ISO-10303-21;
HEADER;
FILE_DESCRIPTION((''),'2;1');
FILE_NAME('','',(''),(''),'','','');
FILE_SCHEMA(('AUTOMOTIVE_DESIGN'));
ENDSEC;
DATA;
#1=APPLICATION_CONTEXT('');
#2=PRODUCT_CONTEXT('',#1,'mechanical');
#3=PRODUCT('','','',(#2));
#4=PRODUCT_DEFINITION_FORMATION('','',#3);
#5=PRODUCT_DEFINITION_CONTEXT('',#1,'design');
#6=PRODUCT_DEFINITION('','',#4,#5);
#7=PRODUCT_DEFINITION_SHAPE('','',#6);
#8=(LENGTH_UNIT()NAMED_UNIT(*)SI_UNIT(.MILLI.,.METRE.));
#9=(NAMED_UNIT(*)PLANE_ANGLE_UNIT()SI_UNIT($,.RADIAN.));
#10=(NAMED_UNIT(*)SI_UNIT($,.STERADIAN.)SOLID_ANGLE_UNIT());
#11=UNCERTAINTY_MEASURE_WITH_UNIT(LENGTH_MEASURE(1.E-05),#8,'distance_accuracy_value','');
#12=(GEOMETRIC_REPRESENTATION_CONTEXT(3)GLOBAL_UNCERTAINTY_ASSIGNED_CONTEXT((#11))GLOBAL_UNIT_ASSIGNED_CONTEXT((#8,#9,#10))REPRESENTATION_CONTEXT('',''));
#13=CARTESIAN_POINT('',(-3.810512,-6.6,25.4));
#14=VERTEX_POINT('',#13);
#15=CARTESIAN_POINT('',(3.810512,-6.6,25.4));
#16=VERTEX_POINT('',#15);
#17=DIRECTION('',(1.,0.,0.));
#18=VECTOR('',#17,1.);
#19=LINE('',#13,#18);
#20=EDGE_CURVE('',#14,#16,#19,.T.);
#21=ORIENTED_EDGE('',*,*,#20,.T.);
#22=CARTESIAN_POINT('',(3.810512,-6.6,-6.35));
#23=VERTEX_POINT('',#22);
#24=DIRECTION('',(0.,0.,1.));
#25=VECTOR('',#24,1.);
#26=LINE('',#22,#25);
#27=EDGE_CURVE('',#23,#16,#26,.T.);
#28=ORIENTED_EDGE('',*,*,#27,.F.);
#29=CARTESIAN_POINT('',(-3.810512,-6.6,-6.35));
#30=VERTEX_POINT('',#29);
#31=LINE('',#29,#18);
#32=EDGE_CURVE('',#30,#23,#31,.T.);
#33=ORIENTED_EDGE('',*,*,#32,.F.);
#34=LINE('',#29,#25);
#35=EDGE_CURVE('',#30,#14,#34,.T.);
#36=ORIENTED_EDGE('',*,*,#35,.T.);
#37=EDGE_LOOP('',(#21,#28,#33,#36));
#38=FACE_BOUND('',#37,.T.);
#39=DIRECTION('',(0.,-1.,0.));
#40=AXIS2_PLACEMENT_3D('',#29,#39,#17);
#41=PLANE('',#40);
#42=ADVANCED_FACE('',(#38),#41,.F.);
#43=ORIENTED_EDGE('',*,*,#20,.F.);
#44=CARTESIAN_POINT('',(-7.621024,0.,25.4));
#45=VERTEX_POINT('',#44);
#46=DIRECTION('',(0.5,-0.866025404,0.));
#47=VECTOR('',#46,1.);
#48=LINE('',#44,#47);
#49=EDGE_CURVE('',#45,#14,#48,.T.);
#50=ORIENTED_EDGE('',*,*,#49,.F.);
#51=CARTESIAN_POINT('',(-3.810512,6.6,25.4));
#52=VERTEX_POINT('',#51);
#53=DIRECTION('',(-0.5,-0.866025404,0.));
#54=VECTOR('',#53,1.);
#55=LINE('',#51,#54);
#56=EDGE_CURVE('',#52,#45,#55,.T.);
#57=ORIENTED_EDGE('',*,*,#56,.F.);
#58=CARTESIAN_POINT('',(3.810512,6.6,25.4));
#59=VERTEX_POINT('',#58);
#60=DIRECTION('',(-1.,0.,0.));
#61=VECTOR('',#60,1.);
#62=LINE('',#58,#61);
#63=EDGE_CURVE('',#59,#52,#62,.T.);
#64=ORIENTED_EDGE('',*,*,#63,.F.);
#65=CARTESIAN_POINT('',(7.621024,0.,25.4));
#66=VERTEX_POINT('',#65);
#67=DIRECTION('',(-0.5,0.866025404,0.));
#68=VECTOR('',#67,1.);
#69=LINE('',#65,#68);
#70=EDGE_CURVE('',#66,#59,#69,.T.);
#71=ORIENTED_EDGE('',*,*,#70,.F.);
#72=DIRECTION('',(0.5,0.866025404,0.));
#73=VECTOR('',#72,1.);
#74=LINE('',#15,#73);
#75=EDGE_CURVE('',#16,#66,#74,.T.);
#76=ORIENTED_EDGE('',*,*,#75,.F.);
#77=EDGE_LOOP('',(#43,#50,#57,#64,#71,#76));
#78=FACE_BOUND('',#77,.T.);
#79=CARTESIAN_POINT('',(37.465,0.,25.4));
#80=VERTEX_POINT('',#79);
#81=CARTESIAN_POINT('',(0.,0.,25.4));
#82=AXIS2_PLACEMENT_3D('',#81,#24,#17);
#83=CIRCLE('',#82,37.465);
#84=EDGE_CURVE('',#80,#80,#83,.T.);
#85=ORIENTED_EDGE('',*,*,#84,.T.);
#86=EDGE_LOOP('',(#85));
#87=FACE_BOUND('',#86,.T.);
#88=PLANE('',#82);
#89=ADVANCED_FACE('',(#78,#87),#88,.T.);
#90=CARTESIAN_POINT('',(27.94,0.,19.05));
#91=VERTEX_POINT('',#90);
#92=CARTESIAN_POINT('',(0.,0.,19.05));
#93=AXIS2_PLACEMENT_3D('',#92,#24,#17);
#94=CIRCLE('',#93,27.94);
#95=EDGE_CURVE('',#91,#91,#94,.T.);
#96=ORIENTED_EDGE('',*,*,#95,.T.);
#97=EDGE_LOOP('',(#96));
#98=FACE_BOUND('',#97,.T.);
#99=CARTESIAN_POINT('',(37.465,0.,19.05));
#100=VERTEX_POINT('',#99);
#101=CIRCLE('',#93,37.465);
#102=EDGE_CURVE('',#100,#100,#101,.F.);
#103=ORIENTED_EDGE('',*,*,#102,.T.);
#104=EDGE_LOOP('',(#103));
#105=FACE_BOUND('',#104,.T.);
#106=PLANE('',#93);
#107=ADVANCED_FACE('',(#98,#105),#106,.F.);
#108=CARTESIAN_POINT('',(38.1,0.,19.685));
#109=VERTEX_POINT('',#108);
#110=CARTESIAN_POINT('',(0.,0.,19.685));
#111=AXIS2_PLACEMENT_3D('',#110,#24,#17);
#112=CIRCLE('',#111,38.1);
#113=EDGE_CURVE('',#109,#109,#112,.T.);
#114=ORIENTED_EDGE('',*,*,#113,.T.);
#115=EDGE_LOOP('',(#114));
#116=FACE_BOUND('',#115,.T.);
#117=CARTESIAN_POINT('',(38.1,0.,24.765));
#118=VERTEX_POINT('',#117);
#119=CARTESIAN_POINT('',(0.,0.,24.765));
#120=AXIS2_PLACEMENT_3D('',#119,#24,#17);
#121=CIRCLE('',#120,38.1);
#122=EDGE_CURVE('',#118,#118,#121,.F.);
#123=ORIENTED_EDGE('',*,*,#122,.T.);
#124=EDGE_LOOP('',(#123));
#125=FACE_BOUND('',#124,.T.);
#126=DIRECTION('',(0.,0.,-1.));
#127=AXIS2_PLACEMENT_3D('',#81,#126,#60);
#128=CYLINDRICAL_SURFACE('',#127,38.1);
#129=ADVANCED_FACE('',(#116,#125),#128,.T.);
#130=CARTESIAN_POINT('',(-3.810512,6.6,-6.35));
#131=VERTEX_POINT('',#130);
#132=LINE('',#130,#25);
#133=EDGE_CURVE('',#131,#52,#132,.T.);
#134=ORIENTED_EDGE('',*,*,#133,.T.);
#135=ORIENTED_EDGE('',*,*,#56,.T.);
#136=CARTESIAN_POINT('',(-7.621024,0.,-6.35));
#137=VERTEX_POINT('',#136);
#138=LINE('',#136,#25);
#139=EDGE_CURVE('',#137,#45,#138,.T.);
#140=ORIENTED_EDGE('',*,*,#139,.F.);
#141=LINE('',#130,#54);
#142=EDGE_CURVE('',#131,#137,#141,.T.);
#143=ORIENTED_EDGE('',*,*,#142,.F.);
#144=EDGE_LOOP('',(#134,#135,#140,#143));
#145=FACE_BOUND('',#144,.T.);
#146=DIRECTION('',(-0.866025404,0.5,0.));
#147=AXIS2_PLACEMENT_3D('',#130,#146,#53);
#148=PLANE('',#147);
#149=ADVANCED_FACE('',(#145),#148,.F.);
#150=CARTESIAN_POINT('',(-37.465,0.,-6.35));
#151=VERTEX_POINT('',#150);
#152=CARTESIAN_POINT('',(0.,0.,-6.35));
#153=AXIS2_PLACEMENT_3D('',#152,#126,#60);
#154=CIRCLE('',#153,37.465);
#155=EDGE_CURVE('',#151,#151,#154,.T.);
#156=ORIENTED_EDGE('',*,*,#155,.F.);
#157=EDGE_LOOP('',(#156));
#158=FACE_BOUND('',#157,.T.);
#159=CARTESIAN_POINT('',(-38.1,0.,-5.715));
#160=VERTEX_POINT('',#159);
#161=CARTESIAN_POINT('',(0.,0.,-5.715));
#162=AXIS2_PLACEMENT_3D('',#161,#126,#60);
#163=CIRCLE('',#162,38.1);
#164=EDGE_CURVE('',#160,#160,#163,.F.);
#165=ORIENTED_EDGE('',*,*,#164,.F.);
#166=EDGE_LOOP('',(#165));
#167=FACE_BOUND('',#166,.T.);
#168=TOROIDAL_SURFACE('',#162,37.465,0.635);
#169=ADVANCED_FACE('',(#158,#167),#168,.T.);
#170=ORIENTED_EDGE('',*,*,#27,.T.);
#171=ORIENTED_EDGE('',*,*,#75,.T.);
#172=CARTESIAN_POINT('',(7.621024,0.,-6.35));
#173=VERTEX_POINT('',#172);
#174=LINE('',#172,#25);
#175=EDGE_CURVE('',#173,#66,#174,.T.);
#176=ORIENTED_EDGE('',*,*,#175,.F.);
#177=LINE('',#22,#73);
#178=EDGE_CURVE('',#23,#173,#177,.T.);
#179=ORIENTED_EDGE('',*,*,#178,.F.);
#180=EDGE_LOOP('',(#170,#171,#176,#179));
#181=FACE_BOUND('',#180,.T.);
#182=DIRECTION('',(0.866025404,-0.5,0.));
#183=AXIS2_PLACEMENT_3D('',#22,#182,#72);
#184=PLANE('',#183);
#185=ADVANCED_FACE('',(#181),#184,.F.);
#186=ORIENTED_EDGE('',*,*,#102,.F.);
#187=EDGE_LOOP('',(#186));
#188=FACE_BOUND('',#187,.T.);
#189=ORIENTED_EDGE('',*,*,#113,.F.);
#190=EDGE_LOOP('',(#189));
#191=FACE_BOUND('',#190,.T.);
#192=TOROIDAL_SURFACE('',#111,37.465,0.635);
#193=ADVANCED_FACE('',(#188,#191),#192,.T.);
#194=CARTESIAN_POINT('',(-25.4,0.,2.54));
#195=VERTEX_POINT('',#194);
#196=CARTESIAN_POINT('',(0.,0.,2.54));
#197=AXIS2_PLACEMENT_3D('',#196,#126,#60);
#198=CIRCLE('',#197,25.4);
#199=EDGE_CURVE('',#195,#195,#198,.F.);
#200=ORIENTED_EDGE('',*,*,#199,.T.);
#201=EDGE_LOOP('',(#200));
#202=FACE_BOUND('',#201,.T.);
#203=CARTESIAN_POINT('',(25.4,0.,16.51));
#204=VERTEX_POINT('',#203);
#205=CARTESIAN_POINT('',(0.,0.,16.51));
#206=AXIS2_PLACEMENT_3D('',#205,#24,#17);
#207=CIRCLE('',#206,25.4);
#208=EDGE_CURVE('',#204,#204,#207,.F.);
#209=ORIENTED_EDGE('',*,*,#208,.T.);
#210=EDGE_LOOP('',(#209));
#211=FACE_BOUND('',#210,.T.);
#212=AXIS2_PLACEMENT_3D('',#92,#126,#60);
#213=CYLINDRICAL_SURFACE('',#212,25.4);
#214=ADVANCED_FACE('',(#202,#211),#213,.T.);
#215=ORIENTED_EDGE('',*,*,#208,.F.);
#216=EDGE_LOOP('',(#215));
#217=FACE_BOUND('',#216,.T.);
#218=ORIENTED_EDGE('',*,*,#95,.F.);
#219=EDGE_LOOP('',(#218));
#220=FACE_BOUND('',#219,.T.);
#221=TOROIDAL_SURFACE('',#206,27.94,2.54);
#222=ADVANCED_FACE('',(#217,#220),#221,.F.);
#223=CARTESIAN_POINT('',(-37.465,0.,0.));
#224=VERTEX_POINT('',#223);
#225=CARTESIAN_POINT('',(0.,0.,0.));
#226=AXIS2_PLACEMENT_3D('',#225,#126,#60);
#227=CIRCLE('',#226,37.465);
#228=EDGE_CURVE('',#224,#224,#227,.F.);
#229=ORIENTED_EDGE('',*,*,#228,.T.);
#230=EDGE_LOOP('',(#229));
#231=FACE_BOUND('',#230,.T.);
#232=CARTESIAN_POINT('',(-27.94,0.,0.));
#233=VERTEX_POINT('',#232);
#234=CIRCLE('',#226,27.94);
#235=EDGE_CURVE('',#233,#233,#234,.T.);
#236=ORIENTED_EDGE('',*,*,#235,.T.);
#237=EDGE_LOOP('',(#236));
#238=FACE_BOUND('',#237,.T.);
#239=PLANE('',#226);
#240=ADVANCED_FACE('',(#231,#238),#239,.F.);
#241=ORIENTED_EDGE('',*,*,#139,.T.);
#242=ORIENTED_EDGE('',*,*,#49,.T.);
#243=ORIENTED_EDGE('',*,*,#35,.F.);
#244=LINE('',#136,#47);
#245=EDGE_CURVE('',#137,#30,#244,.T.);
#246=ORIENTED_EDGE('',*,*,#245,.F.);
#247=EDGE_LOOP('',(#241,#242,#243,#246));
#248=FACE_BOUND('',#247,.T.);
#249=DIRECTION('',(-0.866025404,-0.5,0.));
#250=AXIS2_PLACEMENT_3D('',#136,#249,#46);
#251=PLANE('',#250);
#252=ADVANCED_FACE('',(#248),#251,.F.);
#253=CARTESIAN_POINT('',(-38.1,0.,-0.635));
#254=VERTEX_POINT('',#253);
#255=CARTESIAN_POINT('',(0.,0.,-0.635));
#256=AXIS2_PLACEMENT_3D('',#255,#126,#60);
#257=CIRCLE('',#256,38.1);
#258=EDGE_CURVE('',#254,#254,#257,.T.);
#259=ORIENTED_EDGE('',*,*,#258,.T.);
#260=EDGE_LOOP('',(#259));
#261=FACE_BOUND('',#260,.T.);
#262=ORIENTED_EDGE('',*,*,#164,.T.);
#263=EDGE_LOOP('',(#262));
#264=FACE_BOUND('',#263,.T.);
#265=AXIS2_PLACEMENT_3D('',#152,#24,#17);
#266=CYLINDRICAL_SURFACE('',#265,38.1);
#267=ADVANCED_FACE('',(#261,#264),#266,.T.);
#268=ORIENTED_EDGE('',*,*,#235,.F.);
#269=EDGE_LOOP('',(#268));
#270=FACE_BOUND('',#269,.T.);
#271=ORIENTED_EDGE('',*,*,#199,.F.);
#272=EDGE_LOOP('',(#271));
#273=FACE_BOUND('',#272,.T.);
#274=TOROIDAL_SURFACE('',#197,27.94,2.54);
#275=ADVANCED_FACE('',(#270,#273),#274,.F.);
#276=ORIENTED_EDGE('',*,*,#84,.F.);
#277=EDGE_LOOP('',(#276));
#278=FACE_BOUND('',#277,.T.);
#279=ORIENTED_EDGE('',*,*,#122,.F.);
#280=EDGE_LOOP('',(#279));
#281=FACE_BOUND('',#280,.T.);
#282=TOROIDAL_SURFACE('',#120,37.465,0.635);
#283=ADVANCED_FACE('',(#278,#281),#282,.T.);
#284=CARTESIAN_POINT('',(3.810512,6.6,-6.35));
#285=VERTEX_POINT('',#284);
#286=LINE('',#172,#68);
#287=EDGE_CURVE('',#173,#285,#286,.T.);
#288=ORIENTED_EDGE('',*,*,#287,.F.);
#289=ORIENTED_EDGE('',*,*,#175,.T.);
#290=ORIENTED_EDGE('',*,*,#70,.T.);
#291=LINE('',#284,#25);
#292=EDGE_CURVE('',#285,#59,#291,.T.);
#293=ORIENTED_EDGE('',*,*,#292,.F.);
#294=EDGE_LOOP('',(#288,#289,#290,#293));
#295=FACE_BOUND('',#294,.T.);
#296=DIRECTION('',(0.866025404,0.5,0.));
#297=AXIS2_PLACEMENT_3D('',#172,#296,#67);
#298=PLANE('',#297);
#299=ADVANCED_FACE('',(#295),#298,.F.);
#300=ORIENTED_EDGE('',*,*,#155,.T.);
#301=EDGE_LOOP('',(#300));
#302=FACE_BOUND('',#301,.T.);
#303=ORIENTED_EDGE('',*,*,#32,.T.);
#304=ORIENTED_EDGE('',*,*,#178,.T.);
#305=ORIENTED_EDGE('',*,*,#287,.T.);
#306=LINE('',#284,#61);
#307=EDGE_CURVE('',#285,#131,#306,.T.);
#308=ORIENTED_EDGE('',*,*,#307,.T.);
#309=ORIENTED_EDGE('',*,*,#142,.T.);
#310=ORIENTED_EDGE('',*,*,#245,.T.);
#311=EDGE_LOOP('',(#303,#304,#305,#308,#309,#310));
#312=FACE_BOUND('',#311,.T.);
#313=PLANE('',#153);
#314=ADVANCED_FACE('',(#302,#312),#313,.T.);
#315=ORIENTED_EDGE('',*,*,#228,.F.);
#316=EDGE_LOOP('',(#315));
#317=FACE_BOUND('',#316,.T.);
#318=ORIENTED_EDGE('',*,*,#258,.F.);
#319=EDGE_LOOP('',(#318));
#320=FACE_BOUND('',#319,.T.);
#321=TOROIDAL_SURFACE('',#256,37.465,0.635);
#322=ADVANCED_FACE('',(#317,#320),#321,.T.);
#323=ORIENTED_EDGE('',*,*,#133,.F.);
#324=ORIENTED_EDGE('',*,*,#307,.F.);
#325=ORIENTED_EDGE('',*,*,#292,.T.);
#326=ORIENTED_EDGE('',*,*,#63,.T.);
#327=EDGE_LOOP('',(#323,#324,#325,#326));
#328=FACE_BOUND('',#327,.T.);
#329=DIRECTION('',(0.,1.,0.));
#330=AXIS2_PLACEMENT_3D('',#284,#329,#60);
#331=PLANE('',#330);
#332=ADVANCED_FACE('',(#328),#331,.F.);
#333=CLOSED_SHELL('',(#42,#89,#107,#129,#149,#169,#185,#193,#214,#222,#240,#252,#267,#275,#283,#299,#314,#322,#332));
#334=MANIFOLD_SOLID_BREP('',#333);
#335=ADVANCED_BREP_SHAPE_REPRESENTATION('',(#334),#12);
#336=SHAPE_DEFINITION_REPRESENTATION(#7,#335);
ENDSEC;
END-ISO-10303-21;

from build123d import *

# Parameters (mm, degrees)
SKETCH1_R           = 25.4
BOSS_EXTRUDE1_DEPTH = 19.05
SKETCH2_R           = 38.1
BOSS_EXTRUDE2_DEPTH = 6.35
SKETCH3_R           = 38.1
BOSS_EXTRUDE3_DEPTH = 6.35
CUT_EXTRUDE1_DEPTH  = 32.75
FILLET1_R           = 2.54
FILLET2_R           = 0.635


with BuildPart() as part:
    # Sketch1 → Boss-Extrude1 (new body)
    with BuildSketch(Plane.XY):
        Circle(SKETCH1_R)
    extrude(amount=BOSS_EXTRUDE1_DEPTH)

    # Sketch2 → Boss-Extrude2 (add)
    with BuildSketch(Plane.XY.offset(19.05)):
        Circle(SKETCH2_R)
    extrude(amount=BOSS_EXTRUDE2_DEPTH)

    # Sketch3 → Boss-Extrude3 (add)
    with BuildSketch(Plane(origin=(0, 0, 0), x_dir=(-1, 0, 0), z_dir=(0, 0, -1))):
        Circle(SKETCH3_R)
    extrude(amount=BOSS_EXTRUDE3_DEPTH)

    # Sketch4 → Cut-Extrude1 (cut, through all)
    with BuildSketch(Plane.XY.offset(25.4)):
        Polygon((7.621023553, 0), (3.810511777, 6.6), (-3.810511777, 6.6), (-7.621023553, 0), (-3.810511777, -6.6), (3.810511777, -6.6), align=None)
    extrude(amount=-CUT_EXTRUDE1_DEPTH, mode=Mode.SUBTRACT)

    # Fillet1
    fillet1_edges = [part.edges().sort_by_distance(p)[0] for p in [
        (-25.4, 0, 19.05),
        (-25.4, 0, 0),
    ]]
    fillet(fillet1_edges, radius=FILLET1_R)

    # Fillet2
    fillet2_edges = [part.edges().sort_by_distance(p)[0] for p in [
        (38.1, 0, -6.35),
        (-38.1, 0, 19.05),
        (-38.1, 0, 25.4),
        (38.1, 0, 0),
    ]]
    fillet(fillet2_edges, radius=FILLET2_R)


solid = part.part
